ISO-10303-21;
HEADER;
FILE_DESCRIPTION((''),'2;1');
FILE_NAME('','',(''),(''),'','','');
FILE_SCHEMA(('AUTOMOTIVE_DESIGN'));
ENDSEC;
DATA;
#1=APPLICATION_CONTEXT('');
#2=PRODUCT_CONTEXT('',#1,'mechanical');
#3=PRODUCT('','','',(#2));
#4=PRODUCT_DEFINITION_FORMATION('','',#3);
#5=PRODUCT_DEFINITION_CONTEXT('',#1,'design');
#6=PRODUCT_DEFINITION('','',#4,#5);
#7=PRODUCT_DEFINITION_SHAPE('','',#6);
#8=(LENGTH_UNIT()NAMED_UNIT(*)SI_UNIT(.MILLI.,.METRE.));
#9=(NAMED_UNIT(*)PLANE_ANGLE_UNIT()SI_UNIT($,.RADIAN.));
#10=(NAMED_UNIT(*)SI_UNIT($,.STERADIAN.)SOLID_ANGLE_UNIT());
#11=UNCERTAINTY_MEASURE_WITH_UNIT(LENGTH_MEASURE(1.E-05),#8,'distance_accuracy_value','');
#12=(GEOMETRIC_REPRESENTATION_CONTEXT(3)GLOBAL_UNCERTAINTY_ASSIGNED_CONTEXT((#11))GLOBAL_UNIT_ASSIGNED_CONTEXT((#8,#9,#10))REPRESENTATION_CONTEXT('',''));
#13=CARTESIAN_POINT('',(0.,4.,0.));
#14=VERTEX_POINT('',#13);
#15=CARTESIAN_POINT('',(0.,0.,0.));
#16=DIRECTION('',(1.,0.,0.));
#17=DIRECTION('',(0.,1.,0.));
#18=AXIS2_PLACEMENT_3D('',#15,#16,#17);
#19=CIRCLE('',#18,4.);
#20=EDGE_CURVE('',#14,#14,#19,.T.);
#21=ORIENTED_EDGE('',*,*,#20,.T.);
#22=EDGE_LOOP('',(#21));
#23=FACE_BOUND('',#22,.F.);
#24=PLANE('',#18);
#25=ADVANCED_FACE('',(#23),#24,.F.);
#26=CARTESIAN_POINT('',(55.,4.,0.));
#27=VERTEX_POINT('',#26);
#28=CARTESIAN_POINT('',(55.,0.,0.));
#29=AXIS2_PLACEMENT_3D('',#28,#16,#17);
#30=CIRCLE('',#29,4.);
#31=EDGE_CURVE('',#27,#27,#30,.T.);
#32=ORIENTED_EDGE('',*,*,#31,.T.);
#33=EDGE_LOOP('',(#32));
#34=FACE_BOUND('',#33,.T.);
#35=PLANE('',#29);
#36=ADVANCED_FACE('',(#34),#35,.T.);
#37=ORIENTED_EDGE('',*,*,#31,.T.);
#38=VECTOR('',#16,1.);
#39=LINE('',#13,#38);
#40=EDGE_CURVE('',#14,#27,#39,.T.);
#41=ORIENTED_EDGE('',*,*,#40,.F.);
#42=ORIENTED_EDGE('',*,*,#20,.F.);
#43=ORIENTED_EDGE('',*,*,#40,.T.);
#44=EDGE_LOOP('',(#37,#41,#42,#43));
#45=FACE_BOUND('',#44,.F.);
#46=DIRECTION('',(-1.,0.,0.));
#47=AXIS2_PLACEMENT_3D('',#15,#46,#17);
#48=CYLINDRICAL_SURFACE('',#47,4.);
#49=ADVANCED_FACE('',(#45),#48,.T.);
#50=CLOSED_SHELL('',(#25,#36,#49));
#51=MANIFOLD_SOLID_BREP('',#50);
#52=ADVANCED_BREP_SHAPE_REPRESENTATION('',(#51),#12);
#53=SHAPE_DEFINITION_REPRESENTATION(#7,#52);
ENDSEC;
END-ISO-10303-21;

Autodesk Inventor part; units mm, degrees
ref_plane "YZ Plane" through (0, 0, 0) normal (1, 0, 0) x (0, 1, 0)
ref_plane "XZ Plane" through (0, 0, 0) normal (0, 1, 0) x (-1, 0, 0)
ref_plane "XY Plane" through (0, 0, 0) normal (0, 0, 1) x (1, 0, 0)
sketch "Sketch1" plane through (0, 0, 0) normal (1, 0, 0) x (0, 1, 0)
  circle A0 centre (0, 0) radius 4
  dimension "d0" = 8
extrude "Extrusion1" add sketch "Sketch1" along normal blind 55
properties part number "55m_linear_rod"
